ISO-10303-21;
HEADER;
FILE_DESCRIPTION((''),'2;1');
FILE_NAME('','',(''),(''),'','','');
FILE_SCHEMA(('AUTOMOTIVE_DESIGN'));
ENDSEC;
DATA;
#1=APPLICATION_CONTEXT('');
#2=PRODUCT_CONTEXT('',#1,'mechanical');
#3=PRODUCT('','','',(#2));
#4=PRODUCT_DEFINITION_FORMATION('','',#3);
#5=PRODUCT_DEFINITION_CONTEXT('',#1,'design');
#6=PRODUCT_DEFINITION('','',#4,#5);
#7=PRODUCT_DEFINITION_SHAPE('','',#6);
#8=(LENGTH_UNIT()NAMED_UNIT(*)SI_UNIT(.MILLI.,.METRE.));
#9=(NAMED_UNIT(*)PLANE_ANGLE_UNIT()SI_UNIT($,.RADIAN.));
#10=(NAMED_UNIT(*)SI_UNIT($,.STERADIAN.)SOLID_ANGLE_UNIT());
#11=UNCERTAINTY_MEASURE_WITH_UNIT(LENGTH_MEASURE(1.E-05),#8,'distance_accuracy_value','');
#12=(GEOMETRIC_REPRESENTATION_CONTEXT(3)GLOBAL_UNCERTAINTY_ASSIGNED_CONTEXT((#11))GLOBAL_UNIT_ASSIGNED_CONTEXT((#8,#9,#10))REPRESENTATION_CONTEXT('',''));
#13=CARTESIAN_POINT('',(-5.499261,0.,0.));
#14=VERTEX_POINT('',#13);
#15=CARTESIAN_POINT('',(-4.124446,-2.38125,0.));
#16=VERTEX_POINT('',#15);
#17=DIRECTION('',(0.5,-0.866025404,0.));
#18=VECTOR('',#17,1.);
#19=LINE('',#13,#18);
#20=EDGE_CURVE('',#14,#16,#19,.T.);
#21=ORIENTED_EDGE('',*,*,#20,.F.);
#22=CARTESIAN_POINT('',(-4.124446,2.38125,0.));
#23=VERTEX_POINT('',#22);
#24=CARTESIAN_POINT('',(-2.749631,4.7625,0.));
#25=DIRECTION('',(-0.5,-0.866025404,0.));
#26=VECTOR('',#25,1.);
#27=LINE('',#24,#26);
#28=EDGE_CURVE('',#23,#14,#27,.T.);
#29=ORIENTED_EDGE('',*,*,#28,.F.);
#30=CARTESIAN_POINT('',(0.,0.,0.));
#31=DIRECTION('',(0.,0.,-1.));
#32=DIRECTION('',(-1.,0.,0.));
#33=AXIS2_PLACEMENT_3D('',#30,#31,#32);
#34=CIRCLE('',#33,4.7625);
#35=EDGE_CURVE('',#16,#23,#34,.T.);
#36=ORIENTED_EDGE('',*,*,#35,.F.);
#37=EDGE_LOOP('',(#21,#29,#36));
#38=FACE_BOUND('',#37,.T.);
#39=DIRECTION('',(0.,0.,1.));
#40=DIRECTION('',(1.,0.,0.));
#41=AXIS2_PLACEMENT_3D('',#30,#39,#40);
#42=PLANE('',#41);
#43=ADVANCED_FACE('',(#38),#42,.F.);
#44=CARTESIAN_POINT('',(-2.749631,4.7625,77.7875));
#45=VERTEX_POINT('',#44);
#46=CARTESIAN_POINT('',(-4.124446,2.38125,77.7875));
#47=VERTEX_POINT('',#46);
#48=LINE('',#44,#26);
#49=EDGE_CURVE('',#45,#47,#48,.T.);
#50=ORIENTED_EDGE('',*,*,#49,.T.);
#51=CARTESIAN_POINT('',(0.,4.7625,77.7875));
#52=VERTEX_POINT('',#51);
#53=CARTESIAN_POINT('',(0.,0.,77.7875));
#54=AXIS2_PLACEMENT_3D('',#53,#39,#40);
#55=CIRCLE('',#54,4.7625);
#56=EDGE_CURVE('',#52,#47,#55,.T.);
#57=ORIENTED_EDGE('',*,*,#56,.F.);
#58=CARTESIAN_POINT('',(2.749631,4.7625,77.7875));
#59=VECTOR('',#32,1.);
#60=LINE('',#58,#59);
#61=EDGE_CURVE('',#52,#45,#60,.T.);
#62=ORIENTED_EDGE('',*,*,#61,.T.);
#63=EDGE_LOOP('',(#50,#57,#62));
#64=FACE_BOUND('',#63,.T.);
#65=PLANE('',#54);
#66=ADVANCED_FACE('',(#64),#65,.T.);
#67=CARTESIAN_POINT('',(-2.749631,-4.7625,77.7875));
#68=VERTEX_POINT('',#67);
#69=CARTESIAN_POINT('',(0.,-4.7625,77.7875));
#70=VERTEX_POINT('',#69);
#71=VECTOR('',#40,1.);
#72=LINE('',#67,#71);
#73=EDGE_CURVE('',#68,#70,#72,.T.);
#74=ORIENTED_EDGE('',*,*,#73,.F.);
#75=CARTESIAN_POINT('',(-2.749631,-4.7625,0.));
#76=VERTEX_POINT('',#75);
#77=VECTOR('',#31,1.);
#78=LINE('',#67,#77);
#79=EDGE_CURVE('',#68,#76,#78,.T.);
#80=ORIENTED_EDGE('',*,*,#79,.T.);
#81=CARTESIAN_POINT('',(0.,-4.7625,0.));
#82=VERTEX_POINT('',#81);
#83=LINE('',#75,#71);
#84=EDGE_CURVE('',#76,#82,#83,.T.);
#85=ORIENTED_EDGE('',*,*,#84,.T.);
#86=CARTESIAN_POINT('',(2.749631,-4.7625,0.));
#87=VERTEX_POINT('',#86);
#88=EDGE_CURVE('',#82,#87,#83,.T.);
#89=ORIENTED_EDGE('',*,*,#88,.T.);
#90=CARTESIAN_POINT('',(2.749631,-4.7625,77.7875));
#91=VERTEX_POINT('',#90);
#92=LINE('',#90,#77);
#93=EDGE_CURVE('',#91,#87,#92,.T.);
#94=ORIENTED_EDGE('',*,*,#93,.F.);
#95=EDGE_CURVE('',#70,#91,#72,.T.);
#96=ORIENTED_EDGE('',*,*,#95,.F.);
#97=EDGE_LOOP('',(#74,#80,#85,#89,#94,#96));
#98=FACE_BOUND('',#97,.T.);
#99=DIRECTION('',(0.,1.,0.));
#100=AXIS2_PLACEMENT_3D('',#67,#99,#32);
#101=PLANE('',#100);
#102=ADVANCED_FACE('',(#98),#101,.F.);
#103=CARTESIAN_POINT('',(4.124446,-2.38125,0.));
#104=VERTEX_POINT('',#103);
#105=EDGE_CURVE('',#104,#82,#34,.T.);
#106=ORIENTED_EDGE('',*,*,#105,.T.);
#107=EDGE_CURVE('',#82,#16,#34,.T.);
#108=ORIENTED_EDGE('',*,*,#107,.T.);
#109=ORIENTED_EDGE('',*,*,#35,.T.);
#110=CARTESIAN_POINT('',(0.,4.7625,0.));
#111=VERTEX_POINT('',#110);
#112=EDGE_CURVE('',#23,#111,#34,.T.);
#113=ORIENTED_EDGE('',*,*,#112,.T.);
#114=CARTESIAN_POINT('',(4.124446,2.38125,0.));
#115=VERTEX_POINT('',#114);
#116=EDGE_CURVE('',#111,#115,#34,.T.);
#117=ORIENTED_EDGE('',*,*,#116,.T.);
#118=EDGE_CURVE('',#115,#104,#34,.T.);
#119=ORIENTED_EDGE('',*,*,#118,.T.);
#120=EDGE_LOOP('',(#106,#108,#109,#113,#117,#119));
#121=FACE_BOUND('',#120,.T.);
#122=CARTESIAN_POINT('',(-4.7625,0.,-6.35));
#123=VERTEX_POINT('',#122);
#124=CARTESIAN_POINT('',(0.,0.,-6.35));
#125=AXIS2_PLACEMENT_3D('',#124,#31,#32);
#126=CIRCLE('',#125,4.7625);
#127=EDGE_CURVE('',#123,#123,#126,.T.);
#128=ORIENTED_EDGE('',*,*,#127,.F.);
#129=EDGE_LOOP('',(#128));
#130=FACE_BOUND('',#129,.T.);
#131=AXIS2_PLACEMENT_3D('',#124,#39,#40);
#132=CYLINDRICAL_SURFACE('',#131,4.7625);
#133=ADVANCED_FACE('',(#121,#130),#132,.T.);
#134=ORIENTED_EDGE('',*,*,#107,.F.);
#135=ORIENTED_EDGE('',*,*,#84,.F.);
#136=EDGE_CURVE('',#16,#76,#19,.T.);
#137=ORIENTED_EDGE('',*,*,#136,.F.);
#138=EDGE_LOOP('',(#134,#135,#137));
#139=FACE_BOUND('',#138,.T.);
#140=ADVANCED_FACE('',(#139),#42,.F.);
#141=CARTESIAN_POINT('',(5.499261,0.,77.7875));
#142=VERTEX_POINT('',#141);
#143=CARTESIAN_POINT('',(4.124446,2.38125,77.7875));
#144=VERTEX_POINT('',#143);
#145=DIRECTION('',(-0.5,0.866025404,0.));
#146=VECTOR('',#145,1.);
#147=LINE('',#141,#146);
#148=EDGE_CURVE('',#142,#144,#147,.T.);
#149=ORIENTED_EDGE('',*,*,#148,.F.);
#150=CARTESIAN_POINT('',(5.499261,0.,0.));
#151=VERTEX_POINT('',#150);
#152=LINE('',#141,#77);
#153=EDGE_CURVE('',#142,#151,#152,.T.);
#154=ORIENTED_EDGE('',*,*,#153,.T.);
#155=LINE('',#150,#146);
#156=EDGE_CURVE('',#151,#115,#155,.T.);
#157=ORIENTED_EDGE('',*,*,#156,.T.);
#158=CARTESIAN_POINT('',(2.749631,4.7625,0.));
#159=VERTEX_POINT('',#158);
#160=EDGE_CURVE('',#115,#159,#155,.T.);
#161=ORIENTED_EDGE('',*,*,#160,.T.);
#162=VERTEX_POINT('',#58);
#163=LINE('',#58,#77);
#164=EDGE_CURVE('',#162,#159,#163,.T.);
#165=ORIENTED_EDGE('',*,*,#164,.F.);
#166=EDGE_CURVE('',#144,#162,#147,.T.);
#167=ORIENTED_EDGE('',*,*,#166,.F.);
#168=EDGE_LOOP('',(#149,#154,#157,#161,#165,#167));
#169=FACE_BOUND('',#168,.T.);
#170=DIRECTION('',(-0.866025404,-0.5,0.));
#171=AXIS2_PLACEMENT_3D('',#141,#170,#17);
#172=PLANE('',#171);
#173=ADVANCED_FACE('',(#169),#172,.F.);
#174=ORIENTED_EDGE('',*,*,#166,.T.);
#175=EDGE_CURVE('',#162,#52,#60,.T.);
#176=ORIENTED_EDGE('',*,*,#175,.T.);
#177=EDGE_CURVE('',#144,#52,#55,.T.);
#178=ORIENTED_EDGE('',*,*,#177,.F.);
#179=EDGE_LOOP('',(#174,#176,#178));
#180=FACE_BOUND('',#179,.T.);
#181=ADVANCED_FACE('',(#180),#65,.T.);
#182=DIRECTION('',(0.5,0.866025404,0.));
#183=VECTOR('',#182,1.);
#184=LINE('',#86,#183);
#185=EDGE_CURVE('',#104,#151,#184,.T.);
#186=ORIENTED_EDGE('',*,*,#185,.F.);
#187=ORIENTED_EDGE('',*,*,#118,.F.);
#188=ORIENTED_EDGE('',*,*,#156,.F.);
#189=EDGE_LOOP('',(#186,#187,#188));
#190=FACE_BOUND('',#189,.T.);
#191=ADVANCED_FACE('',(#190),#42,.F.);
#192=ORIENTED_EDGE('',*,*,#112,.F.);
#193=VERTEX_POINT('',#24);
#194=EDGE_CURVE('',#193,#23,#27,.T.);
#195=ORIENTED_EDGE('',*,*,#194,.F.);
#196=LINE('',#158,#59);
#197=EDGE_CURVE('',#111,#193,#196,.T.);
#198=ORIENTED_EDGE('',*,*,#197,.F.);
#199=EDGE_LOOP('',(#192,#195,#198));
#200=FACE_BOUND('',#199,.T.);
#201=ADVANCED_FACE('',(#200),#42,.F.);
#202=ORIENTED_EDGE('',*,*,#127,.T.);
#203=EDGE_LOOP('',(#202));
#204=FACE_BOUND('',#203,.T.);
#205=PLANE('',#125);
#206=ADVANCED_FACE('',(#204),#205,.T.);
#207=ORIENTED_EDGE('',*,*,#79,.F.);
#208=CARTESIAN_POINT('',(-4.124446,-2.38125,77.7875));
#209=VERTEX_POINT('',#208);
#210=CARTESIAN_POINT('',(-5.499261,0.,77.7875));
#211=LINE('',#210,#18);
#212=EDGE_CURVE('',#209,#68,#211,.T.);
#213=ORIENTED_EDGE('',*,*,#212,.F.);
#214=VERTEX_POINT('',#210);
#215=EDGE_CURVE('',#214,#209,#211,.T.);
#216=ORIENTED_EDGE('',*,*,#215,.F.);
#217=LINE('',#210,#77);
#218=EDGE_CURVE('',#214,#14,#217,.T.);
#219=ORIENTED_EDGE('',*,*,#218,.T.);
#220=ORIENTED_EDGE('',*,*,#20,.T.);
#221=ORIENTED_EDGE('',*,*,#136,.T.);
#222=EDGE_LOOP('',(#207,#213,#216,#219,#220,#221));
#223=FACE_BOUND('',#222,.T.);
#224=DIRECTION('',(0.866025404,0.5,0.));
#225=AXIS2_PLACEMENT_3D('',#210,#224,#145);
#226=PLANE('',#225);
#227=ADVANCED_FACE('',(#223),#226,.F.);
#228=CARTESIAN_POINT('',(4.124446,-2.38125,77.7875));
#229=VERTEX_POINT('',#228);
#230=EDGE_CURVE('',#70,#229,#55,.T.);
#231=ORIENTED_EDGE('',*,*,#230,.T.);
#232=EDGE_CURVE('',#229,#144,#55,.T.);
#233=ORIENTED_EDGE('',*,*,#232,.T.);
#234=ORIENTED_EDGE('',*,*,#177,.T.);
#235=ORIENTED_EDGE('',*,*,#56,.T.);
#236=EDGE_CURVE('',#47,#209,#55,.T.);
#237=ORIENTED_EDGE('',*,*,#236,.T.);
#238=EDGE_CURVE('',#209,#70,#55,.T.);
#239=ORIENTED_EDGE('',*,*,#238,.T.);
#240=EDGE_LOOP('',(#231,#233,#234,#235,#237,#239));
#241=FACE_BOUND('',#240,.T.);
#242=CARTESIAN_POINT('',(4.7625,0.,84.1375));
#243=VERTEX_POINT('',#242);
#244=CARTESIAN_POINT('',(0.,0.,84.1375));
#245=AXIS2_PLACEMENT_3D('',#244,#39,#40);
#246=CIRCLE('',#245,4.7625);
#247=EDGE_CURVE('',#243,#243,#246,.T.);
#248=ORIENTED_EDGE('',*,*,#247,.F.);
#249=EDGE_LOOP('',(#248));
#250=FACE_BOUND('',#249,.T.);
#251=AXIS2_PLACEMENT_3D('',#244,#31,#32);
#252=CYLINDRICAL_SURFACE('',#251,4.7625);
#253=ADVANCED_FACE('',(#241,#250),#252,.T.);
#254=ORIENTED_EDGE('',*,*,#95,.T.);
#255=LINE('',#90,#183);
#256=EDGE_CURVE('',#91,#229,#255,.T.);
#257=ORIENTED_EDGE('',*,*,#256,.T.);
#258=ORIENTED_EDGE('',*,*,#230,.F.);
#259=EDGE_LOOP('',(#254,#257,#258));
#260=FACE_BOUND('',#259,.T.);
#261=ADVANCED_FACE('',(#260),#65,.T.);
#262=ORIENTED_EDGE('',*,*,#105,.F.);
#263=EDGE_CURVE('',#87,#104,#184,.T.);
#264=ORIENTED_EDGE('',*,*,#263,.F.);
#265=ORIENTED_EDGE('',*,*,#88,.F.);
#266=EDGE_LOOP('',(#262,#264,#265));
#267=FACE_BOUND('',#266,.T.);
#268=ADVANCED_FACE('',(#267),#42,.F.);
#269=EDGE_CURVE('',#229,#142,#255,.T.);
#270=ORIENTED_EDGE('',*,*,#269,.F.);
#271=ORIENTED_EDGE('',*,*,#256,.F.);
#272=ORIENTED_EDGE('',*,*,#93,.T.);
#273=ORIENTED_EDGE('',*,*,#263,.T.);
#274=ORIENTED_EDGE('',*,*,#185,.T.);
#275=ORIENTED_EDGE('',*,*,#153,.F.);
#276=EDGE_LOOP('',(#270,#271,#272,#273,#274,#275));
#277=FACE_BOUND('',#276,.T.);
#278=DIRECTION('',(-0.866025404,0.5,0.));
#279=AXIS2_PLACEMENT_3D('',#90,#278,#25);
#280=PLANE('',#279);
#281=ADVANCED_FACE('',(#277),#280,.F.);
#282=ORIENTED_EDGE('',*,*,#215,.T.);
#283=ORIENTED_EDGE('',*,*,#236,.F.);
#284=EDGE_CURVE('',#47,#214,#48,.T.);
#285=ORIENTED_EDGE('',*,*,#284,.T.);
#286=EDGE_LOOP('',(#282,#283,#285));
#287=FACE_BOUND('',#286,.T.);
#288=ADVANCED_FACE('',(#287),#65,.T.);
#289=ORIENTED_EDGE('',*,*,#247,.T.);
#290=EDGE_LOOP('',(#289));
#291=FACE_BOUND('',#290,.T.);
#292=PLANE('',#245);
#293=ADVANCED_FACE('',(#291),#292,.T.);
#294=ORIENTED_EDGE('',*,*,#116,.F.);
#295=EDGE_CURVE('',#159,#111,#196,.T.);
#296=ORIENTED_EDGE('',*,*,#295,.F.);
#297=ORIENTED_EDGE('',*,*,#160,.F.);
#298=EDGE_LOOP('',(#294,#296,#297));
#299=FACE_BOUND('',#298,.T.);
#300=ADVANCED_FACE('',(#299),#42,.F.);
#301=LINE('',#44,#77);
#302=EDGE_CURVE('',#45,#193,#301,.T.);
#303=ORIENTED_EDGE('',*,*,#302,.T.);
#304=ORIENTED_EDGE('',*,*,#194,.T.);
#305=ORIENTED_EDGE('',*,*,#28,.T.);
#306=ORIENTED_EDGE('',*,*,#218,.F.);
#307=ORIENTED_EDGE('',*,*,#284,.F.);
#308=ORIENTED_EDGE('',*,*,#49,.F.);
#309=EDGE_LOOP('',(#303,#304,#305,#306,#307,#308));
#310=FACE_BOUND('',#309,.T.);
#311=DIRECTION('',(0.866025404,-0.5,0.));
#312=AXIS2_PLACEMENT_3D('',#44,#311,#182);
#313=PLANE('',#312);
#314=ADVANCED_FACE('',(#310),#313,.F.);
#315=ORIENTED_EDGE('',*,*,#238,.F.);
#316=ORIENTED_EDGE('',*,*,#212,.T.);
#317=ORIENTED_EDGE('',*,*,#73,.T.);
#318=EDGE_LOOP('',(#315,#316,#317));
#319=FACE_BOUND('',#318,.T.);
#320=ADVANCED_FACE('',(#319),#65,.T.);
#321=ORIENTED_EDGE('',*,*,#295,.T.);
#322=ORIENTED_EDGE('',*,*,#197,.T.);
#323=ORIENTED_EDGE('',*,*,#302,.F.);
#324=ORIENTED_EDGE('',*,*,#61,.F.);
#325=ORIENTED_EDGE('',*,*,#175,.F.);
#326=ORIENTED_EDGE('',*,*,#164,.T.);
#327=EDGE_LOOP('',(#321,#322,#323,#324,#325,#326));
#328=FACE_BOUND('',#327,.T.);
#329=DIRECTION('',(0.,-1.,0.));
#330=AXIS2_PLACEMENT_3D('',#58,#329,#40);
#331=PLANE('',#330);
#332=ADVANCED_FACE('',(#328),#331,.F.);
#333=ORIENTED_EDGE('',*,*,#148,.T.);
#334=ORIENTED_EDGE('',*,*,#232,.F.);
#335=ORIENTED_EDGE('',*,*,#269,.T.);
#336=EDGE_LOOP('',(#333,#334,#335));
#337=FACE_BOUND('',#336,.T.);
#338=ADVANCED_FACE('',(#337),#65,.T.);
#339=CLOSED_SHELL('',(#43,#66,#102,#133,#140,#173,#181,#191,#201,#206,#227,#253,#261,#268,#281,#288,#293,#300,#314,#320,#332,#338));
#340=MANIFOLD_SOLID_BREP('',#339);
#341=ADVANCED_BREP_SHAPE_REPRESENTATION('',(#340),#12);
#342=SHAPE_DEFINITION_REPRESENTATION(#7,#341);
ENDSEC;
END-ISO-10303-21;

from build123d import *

# Parameters (mm, degrees)
BOSS_EXTRUDE1_DEPTH = 77.7875
SKETCH2_R           = 4.7625
BOSS_EXTRUDE2_DEPTH = 6.35
SKETCH3_R           = 4.7625
BOSS_EXTRUDE3_DEPTH = 6.35


with BuildPart() as part:
    # Sketch1 → Boss-Extrude1 (new body)
    with BuildSketch(Plane.XY):
        Polygon((-2.749630657, -4.7625), (2.749630657, -4.7625), (5.499261314, 0), (2.749630657, 4.7625), (-2.749630657, 4.7625), (-5.499261314, 0), align=None)
    extrude(amount=BOSS_EXTRUDE1_DEPTH)

    # Sketch2 → Boss-Extrude2 (add)
    with BuildSketch(Plane.XY.offset(77.7875)):
        with Locations(Location((0, 0, 0), (0, 0, 150))):  # turned: the seam where the file's is
            Circle(SKETCH2_R)
    extrude(amount=BOSS_EXTRUDE2_DEPTH)

    # Sketch3 → Boss-Extrude3 (add)
    with BuildSketch(Plane(origin=(0, 0, 0), x_dir=(-1, 0, 0), z_dir=(0, 0, -1))):
        with Locations(Location((0, 0, 0), (0, 0, 30))):  # turned: the seam where the file's is
            Circle(SKETCH3_R)
    extrude(amount=BOSS_EXTRUDE3_DEPTH)


solid = part.part
